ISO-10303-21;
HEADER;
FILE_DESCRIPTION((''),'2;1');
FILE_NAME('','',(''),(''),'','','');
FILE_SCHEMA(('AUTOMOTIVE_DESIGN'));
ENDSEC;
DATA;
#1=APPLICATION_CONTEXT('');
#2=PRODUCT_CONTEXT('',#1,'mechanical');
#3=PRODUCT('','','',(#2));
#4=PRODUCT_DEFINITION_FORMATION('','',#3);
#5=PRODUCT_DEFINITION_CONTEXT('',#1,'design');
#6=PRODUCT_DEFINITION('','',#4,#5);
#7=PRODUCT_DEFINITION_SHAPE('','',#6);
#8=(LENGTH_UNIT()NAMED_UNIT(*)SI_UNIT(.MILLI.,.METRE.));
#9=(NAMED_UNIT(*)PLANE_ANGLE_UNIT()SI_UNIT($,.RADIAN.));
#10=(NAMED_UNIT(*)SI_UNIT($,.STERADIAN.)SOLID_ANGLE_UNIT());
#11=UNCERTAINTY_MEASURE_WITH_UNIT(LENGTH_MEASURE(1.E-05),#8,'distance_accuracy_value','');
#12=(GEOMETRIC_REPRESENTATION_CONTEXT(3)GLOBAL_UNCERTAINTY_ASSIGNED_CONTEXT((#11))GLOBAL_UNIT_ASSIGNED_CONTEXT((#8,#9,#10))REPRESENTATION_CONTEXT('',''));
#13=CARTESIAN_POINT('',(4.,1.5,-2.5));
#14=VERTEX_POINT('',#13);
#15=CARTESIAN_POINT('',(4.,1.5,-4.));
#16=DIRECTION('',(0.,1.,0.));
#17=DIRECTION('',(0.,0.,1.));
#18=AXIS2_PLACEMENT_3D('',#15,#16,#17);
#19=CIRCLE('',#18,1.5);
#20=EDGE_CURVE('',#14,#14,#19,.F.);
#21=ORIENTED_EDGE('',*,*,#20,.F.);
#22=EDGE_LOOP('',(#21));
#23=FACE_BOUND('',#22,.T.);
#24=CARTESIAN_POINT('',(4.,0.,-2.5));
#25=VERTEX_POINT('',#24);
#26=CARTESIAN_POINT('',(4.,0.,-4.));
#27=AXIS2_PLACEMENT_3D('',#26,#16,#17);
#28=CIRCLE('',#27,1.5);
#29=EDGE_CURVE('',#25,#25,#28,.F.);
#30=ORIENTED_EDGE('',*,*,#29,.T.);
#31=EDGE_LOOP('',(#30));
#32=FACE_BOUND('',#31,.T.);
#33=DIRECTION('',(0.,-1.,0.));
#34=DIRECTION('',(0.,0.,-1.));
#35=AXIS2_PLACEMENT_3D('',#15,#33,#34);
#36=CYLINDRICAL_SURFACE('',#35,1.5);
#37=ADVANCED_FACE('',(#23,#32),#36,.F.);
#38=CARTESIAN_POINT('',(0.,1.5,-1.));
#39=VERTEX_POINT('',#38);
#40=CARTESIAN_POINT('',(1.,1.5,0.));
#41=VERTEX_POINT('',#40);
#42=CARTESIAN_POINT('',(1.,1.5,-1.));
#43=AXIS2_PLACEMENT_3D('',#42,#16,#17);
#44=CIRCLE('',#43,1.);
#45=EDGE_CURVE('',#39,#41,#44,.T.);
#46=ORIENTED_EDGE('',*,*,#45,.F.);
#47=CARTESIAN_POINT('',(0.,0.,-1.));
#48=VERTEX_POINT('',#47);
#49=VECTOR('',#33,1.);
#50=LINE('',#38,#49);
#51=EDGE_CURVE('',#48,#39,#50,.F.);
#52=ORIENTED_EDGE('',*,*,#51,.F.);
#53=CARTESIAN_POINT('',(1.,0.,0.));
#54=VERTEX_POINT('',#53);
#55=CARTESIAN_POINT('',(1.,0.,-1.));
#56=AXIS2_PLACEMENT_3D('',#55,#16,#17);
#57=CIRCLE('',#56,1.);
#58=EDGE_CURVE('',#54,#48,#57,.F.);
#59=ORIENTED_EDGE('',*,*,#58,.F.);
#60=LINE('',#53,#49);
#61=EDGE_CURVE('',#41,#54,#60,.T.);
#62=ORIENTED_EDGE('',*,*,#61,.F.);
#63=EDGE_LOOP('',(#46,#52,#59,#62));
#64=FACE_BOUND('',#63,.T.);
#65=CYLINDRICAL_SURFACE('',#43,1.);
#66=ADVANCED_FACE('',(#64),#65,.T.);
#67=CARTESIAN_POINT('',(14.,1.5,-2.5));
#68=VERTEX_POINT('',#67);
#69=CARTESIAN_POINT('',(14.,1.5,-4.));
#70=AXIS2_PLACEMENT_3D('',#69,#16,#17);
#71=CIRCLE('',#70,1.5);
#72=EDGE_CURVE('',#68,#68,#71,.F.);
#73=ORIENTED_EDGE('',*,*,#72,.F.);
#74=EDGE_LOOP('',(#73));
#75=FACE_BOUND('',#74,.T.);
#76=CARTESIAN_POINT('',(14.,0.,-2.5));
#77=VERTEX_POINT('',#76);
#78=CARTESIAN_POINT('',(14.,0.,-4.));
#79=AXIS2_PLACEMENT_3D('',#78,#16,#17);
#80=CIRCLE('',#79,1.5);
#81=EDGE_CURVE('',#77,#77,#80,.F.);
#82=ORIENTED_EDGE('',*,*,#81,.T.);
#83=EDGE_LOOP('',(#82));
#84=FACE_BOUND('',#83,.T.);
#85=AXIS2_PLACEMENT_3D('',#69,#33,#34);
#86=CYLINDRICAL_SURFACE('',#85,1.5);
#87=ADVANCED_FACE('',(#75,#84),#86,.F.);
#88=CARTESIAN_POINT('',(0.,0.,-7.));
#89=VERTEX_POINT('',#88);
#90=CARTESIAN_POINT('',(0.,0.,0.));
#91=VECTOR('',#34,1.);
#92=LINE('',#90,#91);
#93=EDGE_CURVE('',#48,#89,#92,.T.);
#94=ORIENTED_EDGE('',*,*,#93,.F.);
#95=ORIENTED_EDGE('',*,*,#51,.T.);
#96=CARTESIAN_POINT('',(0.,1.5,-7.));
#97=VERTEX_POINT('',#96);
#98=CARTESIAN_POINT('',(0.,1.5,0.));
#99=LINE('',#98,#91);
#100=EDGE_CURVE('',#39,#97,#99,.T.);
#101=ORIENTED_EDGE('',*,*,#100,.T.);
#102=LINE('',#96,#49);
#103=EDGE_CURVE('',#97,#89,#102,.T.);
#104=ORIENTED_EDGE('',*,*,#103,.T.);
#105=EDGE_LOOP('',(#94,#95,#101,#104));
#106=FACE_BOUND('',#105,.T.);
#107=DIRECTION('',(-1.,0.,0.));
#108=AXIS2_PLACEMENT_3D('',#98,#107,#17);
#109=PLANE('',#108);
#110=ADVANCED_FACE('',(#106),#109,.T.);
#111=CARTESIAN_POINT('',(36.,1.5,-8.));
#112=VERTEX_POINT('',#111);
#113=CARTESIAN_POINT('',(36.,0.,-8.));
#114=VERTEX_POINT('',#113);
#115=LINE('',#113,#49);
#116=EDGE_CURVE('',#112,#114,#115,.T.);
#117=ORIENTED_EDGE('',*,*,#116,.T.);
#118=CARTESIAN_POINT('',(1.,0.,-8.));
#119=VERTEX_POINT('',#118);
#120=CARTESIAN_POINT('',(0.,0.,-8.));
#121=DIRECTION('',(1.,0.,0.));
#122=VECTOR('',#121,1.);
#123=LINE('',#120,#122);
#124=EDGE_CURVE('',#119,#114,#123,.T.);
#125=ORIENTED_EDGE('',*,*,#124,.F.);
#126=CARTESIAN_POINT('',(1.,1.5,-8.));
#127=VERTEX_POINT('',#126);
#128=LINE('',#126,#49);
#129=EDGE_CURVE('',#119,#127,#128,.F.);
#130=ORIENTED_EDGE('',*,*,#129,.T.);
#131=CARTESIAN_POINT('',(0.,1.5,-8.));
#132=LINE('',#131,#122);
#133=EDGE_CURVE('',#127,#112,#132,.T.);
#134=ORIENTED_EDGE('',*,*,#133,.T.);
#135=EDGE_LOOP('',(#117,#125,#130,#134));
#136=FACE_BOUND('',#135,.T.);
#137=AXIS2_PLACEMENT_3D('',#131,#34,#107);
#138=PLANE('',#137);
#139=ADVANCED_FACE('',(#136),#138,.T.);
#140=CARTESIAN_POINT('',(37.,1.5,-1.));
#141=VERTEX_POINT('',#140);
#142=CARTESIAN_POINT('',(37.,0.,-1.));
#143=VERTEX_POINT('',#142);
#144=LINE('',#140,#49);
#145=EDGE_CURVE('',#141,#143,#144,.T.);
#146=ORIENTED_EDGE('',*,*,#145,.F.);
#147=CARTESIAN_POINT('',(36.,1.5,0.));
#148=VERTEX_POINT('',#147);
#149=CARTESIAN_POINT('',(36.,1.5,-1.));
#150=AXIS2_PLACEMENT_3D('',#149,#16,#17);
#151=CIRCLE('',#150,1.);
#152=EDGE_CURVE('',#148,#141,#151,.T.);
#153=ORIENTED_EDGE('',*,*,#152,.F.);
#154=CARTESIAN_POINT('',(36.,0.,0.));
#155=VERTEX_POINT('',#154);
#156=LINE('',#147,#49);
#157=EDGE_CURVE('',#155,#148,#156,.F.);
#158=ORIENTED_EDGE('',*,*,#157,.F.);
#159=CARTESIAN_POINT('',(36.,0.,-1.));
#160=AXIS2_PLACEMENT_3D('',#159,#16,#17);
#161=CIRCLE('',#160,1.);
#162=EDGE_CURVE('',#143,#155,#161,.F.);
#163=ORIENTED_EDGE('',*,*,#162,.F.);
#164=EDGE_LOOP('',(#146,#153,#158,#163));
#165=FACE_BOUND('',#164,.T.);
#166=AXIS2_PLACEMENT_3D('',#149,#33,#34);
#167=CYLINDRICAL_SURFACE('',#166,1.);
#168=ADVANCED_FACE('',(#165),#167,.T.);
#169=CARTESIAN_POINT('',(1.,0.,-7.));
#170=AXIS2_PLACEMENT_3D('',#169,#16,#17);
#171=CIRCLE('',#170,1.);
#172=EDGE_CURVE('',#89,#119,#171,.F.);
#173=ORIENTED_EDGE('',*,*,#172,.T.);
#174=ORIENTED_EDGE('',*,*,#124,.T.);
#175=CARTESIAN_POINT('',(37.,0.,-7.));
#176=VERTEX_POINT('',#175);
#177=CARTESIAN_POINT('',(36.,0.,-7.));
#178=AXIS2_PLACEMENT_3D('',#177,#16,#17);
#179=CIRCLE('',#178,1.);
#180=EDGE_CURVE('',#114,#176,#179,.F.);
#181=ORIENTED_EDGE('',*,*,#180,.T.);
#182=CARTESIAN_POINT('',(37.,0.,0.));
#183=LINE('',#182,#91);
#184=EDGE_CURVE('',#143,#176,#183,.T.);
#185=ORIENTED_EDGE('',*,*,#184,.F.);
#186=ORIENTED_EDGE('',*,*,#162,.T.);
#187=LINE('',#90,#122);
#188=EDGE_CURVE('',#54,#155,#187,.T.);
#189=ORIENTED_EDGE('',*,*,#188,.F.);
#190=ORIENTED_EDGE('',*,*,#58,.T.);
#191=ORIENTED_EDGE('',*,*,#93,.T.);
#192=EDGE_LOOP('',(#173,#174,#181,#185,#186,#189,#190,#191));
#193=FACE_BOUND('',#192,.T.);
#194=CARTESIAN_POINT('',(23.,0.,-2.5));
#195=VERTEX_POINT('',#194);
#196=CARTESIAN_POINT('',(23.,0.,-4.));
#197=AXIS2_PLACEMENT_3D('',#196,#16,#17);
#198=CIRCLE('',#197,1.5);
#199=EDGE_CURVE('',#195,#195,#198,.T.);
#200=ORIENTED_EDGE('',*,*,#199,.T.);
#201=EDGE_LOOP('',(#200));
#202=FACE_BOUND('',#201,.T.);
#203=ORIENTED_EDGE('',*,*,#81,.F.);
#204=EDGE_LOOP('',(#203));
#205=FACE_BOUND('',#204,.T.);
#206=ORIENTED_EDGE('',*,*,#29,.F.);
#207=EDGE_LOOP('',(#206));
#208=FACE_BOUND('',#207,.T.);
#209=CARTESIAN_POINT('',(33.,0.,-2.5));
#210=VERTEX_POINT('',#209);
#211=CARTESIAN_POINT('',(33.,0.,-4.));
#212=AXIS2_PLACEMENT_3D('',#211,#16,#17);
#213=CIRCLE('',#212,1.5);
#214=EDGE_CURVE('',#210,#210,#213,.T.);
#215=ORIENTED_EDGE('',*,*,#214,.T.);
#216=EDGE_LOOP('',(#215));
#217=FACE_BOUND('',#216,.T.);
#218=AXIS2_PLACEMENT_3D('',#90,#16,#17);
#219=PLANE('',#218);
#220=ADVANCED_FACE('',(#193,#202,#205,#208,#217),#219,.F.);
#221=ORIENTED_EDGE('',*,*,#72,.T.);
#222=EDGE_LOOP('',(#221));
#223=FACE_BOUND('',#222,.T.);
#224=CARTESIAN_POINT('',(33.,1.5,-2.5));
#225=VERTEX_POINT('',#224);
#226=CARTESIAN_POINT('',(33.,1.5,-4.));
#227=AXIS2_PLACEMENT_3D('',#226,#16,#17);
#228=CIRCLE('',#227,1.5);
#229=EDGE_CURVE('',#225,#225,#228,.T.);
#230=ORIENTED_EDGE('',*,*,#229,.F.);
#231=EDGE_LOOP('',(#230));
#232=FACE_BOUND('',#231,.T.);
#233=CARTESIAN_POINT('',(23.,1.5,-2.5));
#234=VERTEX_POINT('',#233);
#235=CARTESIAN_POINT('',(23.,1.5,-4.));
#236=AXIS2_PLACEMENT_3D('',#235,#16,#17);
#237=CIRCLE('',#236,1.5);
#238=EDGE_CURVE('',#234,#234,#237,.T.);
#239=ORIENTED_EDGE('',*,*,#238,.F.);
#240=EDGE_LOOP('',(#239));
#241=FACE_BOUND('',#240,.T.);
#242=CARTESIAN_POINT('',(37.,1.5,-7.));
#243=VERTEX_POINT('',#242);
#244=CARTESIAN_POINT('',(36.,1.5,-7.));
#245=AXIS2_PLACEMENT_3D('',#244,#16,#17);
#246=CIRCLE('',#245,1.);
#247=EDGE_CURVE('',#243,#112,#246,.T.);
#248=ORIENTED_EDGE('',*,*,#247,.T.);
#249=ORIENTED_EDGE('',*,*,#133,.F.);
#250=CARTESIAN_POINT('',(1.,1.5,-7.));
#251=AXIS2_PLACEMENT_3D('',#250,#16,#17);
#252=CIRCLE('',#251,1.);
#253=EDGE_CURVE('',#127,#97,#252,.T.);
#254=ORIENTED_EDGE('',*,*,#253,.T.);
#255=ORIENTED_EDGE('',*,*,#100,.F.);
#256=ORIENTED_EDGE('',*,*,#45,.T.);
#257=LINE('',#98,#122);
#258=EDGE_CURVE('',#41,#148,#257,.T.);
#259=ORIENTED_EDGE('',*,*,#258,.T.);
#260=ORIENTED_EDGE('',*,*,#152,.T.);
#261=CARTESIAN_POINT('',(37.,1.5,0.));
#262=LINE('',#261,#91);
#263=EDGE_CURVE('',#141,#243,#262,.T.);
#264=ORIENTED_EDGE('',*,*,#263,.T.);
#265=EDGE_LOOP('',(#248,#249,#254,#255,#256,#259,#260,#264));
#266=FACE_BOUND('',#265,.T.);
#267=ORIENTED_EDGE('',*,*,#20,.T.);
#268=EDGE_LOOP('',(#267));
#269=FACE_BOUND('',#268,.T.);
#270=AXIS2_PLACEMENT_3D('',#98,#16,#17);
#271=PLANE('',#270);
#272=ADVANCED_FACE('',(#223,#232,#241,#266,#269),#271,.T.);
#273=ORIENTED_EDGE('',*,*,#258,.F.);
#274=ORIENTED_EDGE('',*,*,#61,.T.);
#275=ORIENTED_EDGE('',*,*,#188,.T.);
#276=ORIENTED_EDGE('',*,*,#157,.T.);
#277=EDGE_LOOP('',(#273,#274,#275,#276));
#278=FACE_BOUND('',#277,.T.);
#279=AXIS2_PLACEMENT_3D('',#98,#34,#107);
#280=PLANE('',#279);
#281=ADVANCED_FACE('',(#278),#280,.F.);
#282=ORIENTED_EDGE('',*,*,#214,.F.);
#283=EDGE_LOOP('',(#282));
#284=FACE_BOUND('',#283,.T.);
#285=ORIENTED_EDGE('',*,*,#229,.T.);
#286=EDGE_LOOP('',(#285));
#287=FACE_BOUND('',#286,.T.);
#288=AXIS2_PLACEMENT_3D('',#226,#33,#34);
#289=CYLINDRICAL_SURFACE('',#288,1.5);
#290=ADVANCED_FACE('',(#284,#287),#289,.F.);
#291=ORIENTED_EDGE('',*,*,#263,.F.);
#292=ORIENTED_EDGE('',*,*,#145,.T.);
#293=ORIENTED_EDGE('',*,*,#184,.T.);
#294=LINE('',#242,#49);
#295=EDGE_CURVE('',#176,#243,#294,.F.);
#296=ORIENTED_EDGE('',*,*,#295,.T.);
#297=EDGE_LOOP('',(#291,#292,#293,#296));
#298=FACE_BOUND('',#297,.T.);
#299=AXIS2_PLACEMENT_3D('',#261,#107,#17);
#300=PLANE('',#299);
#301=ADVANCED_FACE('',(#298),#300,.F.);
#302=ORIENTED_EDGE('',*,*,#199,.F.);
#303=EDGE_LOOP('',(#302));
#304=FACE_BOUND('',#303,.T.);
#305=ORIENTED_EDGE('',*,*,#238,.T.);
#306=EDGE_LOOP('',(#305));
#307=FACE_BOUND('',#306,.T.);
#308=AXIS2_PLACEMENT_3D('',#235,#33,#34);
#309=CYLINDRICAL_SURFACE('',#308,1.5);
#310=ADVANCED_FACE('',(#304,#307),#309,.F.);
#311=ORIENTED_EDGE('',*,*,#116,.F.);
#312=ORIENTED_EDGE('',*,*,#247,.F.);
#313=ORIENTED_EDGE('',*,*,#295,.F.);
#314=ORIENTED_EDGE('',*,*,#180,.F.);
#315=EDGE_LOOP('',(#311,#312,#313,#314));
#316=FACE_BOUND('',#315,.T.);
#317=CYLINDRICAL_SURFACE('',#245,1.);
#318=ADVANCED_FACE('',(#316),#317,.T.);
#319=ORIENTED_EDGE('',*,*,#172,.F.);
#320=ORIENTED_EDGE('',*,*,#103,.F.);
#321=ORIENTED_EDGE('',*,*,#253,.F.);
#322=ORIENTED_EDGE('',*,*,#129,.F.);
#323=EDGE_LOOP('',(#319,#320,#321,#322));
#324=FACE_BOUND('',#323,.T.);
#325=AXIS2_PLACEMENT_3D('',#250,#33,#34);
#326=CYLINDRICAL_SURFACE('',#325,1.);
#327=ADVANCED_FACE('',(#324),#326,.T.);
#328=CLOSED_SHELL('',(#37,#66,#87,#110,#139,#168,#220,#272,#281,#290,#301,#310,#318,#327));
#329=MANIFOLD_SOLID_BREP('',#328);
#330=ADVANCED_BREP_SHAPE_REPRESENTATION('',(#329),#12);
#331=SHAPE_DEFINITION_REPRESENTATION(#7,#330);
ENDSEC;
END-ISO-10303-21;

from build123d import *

# Parameters (mm, degrees)
BOSS_EXTRUDE1_DEPTH = 1.5
FILLET1_R           = 1


with BuildPart() as part:
    # Sketch1 → Boss-Extrude1 (new body)
    with BuildSketch(Plane(origin=(0, 0, 0), x_dir=(1, 0, 0), z_dir=(0, 1, 0))):
        with BuildLine():
            Line((18.5, 0), (18.5, 4))
            Line((18.5, 4), (15.5, 4))
            ThreePointArc((15.5, 4), (14, 2.5), (12.5, 4))
            Line((12.5, 4), (5.5, 4))
            ThreePointArc((5.5, 4), (4, 2.5), (2.5, 4))
            Line((2.5, 4), (0, 4))
            Line((0, 4), (0, 0))
            Line((0, 0), (18.5, 0))
        make_face()
        with BuildLine():
            Line((21.5, 4), (18.5, 4))
            Line((18.5, 4), (18.5, 0))
            Line((18.5, 0), (37, 0))
            Line((37, 0), (37, 4))
            Line((37, 4), (34.5, 4))
            ThreePointArc((34.5, 4), (33, 2.5), (31.5, 4))
            Line((31.5, 4), (24.5, 4))
            ThreePointArc((24.5, 4), (23, 2.5), (21.5, 4))
        make_face()
        with BuildLine():
            Line((18.5, 4), (18.5, 8))
            Line((18.5, 8), (0, 8))
            Line((0, 8), (0, 4))
            Line((0, 4), (2.5, 4))
            ThreePointArc((2.5, 4), (4, 5.5), (5.5, 4))
            Line((5.5, 4), (12.5, 4))
            ThreePointArc((12.5, 4), (14, 5.5), (15.5, 4))
            Line((15.5, 4), (18.5, 4))
        make_face()
        with BuildLine():
            Line((33, 8), (18.5, 8))
            Line((18.5, 8), (18.5, 4))
            Line((18.5, 4), (21.5, 4))
            ThreePointArc((21.5, 4), (23, 5.5), (24.5, 4))
            Line((24.5, 4), (31.5, 4))
            ThreePointArc((31.5, 4), (31.939339828, 5.060660172), (33, 5.5))
            Line((33, 5.5), (33, 8))
        make_face()
        with BuildLine():
            Line((37, 8), (33, 8))
            Line((33, 8), (33, 5.5))
            ThreePointArc((33, 5.5), (34.060660172, 5.060660172), (34.5, 4))
            Line((34.5, 4), (37, 4))
            Line((37, 4), (37, 8))
        make_face()
    extrude(amount=BOSS_EXTRUDE1_DEPTH)

    # Fillet1
    fillet1_edges = [part.edges().sort_by_distance(p)[0] for p in [
        (0, 0.75, 0),
        (0, 0.75, -8),
        (37, 0.75, -8),
        (37, 0.75, 0),
    ]]
    fillet(fillet1_edges, radius=FILLET1_R)


solid = part.part
